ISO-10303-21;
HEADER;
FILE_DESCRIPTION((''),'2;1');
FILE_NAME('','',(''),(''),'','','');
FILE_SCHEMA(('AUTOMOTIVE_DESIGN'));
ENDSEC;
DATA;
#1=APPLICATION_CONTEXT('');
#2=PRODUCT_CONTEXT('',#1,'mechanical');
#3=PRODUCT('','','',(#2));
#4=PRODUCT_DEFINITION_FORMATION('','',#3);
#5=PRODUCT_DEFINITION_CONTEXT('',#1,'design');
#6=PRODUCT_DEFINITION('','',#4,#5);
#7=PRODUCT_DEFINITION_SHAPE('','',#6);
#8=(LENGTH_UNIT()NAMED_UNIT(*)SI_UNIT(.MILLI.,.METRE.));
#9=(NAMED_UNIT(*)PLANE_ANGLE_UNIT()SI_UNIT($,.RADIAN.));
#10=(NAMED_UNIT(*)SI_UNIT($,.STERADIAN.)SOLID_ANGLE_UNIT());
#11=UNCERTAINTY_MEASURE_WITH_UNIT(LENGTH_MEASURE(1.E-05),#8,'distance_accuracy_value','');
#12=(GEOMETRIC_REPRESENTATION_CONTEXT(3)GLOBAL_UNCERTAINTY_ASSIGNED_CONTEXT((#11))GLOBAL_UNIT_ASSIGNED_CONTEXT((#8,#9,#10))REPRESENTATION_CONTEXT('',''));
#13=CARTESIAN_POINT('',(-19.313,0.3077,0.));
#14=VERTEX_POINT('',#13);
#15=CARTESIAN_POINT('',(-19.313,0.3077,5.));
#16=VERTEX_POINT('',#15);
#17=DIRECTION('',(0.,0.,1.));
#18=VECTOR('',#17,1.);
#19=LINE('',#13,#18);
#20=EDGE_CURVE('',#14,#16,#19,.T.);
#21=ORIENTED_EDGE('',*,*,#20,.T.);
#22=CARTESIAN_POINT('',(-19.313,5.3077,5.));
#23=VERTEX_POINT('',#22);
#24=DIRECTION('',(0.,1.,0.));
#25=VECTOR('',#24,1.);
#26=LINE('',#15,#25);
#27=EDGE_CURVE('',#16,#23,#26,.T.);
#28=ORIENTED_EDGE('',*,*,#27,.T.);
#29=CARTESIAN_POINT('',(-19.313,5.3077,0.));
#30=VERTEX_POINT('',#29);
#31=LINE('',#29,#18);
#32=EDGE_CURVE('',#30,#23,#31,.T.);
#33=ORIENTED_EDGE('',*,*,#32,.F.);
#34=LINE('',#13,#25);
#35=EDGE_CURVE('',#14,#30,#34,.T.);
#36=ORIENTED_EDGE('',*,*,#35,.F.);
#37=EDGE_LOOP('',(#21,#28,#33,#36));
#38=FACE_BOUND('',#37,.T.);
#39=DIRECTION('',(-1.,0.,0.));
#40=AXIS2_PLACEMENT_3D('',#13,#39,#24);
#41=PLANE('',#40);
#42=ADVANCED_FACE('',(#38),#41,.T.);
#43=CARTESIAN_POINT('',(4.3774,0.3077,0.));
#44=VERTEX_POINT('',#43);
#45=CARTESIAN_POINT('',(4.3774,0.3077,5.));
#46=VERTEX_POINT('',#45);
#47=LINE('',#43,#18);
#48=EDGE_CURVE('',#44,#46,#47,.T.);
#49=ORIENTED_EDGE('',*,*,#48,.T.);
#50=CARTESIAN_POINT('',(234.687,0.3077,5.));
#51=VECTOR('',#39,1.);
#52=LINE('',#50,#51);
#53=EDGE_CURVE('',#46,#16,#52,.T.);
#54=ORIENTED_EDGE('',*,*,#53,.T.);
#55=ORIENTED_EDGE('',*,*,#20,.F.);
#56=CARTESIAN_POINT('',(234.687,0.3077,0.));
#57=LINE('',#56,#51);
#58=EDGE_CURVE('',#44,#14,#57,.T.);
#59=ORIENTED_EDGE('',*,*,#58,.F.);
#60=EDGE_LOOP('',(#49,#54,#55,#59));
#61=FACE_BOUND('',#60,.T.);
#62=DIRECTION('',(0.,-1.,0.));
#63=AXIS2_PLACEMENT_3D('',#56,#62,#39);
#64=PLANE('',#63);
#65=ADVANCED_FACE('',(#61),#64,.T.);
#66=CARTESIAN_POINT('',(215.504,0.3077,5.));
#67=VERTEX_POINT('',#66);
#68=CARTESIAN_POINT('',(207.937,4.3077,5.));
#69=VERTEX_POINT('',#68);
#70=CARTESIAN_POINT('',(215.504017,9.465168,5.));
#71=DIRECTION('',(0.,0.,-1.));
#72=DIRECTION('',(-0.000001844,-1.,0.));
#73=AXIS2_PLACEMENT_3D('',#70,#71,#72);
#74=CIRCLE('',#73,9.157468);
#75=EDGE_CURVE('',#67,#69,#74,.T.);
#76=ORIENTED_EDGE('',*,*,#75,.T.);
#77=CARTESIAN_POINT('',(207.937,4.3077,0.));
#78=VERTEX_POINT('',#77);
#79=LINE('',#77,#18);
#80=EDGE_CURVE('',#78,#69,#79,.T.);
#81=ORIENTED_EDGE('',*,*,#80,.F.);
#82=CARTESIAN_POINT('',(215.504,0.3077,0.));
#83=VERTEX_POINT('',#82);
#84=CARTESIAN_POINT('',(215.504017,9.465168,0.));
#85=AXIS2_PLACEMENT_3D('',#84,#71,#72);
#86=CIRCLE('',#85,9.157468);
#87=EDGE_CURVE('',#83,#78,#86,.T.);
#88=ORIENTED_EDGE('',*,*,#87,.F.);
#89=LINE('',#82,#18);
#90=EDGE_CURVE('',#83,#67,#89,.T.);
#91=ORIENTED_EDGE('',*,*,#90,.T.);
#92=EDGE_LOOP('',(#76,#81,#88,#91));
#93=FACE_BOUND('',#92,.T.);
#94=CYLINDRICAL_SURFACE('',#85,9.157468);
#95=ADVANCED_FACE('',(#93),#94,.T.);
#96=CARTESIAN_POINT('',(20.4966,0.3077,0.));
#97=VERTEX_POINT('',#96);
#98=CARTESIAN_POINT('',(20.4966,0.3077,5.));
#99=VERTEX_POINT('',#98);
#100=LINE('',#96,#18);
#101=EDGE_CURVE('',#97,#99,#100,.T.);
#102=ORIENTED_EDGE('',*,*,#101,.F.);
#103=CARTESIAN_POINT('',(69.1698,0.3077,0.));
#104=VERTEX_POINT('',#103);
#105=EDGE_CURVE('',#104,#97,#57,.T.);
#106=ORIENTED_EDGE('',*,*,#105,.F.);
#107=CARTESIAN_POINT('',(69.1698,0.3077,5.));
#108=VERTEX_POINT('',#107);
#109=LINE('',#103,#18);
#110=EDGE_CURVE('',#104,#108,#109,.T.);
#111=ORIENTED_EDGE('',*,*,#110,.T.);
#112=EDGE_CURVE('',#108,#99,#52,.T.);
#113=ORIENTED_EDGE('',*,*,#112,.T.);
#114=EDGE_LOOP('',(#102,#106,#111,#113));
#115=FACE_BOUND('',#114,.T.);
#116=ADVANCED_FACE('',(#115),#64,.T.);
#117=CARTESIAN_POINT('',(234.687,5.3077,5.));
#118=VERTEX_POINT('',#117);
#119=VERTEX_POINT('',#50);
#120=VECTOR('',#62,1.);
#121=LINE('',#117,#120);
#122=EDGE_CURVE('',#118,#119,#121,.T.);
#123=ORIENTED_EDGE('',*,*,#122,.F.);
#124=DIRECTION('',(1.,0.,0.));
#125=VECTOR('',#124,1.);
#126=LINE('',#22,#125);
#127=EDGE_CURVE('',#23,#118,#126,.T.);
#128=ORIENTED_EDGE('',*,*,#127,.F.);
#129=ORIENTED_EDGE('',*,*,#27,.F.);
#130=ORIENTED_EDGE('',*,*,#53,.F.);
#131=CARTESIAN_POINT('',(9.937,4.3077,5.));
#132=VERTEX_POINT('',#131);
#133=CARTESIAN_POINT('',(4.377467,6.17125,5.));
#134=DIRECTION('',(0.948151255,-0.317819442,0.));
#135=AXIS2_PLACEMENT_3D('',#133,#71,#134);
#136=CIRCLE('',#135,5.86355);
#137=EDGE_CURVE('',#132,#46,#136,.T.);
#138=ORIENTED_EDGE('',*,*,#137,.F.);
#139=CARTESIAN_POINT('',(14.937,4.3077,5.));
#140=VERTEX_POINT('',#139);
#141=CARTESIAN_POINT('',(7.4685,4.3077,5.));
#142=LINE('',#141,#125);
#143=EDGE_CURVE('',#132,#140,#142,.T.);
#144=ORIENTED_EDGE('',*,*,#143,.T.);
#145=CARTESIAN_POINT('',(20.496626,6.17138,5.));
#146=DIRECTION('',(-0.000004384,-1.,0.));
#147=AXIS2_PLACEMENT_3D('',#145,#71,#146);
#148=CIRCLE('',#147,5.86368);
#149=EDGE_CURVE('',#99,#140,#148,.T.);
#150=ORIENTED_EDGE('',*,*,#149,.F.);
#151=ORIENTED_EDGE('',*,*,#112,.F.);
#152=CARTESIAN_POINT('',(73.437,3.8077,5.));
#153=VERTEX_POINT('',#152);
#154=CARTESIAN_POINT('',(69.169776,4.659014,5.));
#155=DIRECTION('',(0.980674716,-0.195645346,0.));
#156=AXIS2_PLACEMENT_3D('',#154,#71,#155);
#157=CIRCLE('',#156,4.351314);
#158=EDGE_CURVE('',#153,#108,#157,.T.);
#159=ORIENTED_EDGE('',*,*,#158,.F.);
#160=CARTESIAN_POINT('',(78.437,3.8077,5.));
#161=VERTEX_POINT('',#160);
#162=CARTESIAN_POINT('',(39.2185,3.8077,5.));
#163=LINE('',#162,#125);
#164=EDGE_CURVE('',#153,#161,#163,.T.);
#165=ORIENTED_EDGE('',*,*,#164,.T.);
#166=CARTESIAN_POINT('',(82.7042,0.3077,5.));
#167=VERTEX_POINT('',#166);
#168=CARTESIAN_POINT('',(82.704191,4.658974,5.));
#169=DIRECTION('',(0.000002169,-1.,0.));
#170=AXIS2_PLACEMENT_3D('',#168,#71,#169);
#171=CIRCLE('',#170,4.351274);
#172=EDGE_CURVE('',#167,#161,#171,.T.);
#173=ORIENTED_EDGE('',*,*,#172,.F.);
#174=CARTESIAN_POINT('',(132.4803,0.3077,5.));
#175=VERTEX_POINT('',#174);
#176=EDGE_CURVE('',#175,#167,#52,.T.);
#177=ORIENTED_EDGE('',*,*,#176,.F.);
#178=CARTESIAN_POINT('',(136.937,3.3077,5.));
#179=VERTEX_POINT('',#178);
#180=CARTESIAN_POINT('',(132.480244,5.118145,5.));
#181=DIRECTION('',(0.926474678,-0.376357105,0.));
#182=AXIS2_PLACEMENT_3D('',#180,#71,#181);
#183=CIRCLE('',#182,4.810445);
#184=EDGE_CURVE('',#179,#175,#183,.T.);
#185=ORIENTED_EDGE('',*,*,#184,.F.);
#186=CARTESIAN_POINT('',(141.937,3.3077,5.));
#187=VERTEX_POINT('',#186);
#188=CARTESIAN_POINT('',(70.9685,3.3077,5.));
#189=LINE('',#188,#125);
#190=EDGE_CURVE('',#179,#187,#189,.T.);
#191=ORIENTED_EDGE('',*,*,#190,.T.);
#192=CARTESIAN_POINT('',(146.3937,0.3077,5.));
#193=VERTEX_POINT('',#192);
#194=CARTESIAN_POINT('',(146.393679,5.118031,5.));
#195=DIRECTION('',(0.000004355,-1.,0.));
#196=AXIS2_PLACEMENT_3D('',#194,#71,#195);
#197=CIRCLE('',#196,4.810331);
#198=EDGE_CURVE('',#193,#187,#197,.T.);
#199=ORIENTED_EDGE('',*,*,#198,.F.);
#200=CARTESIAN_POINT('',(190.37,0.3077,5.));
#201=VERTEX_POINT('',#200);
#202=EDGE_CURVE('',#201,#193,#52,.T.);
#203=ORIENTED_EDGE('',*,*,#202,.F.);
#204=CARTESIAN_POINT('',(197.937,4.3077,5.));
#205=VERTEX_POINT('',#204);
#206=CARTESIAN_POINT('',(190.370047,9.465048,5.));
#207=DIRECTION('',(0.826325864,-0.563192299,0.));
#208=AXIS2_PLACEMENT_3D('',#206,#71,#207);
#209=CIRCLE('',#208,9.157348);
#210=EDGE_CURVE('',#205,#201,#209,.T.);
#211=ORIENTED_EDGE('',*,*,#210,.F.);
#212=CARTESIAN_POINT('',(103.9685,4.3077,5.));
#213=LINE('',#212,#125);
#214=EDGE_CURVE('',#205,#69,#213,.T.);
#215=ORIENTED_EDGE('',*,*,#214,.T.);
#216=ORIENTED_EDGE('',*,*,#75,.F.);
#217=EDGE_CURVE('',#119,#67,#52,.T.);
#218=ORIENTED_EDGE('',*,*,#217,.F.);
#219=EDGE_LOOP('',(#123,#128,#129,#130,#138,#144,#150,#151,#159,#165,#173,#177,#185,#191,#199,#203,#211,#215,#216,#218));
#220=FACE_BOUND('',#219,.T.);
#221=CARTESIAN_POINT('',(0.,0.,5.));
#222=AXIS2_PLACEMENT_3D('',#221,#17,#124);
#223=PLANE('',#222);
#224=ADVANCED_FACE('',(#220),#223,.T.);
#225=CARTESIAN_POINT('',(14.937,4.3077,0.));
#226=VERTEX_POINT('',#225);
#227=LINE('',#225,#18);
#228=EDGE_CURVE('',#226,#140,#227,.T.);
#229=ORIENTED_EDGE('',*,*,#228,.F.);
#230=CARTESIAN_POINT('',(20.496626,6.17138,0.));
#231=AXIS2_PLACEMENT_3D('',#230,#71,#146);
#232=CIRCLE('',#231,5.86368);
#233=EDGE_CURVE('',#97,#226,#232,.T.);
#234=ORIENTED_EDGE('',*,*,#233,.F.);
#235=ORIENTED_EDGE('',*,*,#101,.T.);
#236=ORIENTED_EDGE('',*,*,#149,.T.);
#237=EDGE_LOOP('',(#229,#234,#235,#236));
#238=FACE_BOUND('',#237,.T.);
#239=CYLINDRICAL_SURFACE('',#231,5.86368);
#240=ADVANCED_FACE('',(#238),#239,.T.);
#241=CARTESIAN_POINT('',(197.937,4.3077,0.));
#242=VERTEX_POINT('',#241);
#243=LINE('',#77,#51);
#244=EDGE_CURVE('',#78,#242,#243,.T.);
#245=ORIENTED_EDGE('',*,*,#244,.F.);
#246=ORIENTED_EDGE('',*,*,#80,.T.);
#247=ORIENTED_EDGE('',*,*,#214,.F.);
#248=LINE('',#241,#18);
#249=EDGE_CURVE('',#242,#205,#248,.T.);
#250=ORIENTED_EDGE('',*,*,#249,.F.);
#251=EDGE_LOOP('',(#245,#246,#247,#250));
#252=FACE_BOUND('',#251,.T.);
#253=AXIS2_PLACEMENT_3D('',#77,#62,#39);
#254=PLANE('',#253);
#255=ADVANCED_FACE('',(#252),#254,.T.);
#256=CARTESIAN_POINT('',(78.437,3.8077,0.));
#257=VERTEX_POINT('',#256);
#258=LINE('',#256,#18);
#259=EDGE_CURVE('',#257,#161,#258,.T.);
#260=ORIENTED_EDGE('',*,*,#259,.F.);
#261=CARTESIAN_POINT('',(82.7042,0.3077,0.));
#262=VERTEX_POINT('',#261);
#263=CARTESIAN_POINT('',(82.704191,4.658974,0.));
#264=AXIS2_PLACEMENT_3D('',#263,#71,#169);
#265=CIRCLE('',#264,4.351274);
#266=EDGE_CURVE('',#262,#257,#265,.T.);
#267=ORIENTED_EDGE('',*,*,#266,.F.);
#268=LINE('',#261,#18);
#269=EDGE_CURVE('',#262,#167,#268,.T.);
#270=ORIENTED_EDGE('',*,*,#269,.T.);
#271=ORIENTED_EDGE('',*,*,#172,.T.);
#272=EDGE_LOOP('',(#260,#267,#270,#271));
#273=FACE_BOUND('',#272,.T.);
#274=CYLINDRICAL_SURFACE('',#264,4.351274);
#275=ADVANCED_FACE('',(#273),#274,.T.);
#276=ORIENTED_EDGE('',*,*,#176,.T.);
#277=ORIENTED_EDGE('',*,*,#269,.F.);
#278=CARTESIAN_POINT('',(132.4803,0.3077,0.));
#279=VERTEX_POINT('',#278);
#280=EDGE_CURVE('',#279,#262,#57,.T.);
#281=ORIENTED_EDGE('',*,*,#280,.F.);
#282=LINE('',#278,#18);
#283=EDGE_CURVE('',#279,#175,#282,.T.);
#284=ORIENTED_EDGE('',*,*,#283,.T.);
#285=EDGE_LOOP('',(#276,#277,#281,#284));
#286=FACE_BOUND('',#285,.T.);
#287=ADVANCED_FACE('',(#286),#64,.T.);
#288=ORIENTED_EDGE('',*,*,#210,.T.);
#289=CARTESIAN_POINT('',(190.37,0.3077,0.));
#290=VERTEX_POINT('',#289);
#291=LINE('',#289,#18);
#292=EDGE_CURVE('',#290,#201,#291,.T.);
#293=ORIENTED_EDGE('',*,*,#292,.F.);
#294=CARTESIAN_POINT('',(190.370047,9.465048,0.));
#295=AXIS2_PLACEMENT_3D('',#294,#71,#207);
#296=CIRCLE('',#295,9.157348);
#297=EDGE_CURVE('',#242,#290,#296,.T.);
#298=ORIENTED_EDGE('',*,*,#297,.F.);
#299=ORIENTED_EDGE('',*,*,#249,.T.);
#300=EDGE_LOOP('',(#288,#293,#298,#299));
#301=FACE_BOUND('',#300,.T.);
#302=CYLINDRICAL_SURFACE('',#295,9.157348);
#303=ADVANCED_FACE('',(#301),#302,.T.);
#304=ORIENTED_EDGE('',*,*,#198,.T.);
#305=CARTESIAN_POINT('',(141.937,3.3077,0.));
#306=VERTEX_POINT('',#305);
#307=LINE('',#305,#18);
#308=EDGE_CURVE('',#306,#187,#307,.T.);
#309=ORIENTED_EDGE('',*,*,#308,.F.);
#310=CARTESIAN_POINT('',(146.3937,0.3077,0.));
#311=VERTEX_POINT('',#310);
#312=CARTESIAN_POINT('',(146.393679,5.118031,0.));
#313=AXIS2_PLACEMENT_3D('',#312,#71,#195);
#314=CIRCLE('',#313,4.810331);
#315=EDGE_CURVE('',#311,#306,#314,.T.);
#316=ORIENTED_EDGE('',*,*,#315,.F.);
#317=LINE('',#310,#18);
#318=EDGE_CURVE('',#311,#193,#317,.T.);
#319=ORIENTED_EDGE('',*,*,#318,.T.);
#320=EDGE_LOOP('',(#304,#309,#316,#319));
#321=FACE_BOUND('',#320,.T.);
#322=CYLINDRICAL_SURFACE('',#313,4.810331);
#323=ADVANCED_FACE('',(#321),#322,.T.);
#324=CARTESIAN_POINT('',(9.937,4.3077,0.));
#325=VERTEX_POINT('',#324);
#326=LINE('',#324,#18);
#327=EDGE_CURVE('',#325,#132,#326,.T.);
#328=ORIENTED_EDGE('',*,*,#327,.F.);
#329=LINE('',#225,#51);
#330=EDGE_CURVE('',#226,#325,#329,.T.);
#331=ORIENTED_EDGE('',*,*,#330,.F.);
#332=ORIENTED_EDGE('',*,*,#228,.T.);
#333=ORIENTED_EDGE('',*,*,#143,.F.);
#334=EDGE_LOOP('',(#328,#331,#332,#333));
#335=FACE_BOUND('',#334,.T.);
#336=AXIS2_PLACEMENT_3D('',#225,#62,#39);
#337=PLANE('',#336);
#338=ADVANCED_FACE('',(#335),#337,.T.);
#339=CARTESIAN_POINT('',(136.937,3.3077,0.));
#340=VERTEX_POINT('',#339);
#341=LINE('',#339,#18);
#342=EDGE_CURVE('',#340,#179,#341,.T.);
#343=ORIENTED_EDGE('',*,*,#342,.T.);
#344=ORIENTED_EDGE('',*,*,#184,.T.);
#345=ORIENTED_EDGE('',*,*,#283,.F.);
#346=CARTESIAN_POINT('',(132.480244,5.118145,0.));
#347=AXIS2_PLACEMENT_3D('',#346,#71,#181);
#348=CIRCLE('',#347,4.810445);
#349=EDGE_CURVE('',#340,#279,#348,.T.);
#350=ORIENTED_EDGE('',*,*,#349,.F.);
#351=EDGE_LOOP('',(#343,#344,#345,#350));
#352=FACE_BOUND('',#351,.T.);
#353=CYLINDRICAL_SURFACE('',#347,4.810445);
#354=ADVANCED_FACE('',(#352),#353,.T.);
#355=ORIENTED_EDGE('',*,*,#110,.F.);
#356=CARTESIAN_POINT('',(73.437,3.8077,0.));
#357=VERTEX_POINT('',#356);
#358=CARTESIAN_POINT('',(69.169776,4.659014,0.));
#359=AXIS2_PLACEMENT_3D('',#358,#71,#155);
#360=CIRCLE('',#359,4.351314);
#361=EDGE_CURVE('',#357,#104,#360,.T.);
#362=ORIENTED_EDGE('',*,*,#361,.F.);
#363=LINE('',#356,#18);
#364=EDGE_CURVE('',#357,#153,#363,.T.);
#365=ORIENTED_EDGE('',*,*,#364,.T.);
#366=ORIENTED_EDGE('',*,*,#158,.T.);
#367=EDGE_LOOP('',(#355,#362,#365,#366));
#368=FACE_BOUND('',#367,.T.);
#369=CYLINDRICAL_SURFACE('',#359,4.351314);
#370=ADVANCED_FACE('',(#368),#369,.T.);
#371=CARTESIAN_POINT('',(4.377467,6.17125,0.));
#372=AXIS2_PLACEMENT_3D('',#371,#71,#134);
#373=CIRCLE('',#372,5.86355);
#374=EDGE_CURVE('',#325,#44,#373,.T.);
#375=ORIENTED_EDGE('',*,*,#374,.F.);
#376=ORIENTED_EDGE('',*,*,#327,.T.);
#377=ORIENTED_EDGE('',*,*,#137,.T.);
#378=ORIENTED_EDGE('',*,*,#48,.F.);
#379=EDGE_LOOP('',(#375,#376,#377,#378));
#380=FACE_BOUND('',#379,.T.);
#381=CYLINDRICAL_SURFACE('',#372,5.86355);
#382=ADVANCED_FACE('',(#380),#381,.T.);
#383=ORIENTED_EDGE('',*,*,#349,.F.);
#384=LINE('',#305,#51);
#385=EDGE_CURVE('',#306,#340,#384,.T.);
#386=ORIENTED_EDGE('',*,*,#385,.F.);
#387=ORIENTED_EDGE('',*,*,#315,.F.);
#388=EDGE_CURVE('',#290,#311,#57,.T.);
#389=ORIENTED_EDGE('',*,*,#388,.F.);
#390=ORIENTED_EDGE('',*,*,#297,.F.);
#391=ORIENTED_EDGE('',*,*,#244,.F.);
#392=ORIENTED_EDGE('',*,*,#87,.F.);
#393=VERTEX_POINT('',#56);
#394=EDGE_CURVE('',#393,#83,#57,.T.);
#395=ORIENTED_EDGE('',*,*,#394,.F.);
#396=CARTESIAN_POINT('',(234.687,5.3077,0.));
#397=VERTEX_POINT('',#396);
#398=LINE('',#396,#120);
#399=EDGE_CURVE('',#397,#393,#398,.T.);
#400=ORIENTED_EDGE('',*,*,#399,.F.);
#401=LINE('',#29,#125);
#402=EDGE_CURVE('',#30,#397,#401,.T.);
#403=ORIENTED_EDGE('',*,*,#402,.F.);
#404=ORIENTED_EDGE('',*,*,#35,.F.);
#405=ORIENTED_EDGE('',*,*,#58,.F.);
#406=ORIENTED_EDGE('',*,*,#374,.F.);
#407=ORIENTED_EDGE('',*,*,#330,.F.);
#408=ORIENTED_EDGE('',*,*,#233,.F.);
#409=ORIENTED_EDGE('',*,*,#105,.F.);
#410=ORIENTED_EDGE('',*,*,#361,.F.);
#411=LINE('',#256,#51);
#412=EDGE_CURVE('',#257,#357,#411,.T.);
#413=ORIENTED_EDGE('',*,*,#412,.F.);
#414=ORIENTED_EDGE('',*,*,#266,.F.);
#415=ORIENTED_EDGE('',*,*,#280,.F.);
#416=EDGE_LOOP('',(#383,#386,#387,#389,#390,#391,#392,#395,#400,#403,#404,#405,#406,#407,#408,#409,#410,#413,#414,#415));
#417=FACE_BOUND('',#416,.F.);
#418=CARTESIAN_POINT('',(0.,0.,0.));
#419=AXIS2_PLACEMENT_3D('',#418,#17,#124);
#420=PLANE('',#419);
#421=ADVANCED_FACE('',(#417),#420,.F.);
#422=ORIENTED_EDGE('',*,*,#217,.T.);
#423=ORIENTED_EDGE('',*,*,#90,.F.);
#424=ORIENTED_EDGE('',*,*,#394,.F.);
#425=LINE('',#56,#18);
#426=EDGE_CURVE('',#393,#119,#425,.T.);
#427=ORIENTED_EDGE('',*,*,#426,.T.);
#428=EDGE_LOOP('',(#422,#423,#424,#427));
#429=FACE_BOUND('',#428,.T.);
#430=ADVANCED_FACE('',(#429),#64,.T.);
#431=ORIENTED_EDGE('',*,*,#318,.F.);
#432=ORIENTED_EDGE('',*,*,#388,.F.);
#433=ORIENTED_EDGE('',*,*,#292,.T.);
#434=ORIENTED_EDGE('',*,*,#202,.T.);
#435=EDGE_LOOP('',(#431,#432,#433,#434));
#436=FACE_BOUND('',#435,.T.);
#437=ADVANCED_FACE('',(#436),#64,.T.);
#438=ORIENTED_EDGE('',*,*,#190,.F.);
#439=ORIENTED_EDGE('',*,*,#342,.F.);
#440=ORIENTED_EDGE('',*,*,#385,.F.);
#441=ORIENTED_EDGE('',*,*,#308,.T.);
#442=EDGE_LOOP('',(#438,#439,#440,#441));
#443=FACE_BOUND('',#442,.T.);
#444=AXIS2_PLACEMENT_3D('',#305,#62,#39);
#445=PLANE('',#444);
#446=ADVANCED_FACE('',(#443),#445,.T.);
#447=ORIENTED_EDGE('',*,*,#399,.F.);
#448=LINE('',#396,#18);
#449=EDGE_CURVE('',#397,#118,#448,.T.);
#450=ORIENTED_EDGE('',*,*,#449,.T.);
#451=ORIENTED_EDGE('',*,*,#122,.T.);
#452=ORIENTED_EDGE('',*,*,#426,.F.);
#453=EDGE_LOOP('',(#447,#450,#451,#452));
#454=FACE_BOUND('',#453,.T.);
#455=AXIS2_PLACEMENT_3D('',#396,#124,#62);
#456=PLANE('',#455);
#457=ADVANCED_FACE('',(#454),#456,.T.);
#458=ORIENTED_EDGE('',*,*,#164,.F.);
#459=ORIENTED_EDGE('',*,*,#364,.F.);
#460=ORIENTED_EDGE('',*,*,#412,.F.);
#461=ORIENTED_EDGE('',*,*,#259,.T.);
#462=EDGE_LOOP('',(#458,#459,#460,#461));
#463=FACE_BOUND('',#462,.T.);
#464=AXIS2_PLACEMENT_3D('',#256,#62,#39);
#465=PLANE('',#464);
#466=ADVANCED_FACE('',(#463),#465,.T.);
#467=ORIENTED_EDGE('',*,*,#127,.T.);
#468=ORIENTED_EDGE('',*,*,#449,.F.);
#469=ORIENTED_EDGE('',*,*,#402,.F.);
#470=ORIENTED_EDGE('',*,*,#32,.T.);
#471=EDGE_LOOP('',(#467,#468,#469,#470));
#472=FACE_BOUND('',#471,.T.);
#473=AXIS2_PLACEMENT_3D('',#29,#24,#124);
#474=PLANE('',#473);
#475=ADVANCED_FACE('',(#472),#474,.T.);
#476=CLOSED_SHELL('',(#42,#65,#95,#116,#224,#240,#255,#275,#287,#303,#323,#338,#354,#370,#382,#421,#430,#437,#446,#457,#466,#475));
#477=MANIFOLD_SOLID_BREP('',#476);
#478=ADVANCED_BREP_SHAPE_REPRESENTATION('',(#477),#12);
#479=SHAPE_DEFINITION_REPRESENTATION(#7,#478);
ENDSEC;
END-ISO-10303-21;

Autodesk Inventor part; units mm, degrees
ref_plane "YZ Plane" through (0, 0, 0) normal (1, 0, 0) x (0, 1, 0)
ref_plane "XZ Plane" through (0, 0, 0) normal (0, 1, 0) x (-1, 0, 0)
ref_plane "XY Plane" through (0, 0, 0) normal (0, 0, 1) x (1, 0, 0)
sketch "Sketch1" plane through (0, 0, 0) normal (0, 0, 1) x (1, 0, 0)
  line L0 (-19.313, 5.3077) -> (234.687, 5.3077)
  line L1 (234.687, 5.3077) -> (234.687, 0.3077)
  line L2 (234.687, 0.3077) -> (-19.313, 0.3077)
  line L3 (-19.313, 0.3077) -> (-19.313, 5.3077)
  line L4 (44.187, 5.3077) -> (44.187, 0.3077) construction
  line L5 (171.187, 5.3077) -> (171.187, 0.3077) construction
  line L6 (107.687, 5.3077) -> (107.687, 0.3077) construction
  point P0 (0, 0)
  dimension "d0" = 254
  dimension "d1" = 5
  dimension "d2" = 63.5
  dimension "d3" = 63.5
  dimension "d4" = 63.5
extrude "Extrusion1" add sketch "Sketch1" along normal blind 5
sketch "Sketch2" plane through (0, 0, 0) normal (0, 0, -1) x (-1, 0, 0)
  line L0 (19.313, 0.3077) -> (-234.687, 0.3077) projected
  arc A0 (-20.4966, 0.3077) -> (-14.937, 4.3077) centre (-20.4966, 6.1713) ccw
  arc A1 (-9.937, 4.3077) -> (-4.3774, 0.3077) centre (-4.3774, 6.1713) ccw
  line L1 (-14.937, 4.3077) -> (-9.937, 4.3077)
  line L2 (19.313, 0.3077) -> (-234.687, 0.3077) projected
  line L3 (-234.687, 5.3077) -> (19.313, 5.3077) projected
  arc A2 (-82.7042, 0.3077) -> (-78.437, 3.8077) centre (-82.7042, 4.659) ccw
  arc A3 (-73.437, 3.8077) -> (-69.1698, 0.3077) centre (-69.1698, 4.659) ccw
  line L4 (-78.437, 3.8077) -> (-73.437, 3.8077)
  arc A4 (-146.3937, 0.3077) -> (-141.937, 3.3077) centre (-146.3937, 5.1181) ccw
  arc A5 (-136.937, 3.3077) -> (-132.4803, 0.3077) centre (-132.4803, 5.1181) ccw
  line L5 (-141.937, 3.3077) -> (-136.937, 3.3077)
  arc A6 (-215.504, 0.3077) -> (-207.937, 4.3077) centre (-215.504, 9.4651) ccw
  arc A7 (-197.937, 4.3077) -> (-190.37, 0.3077) centre (-190.37, 9.4651) ccw
  line L6 (-207.937, 4.3077) -> (-197.937, 4.3077)
  line L7 (19.313, 5.3077) -> (19.313, 0.3077) projected
  point P0 (0, 0)
  point P1 (19.313, 2.8077)
  point P2 (-12.437, 4.3077)
  point P3 (-75.937, 3.8077)
  point P4 (-139.437, 3.3077)
  point P5 (-202.937, 4.3077)
  point P6 (-82.7042, 0.3077)
  point P7 (-69.1698, 0.3077)
  point P8 (-146.3937, 0.3077)
  point P9 (-132.4803, 0.3077)
  point P10 (-215.504, 0.3077)
  point P11 (-190.37, 0.3077)
  dimension "d7" = 1
  dimension "d8" = 1.5
  dimension "d9" = 2
  dimension "d10" = 1
  dimension "d11" = 5
  dimension "d12" = 10
  dimension "d14" = 31.75
  dimension "d15" = 63.5
  dimension "d16" = 63.5
  dimension "d17" = 63.5
extrude "Extrusion2" cut sketch "Sketch2" against normal through all
properties part number "Hingetest"
